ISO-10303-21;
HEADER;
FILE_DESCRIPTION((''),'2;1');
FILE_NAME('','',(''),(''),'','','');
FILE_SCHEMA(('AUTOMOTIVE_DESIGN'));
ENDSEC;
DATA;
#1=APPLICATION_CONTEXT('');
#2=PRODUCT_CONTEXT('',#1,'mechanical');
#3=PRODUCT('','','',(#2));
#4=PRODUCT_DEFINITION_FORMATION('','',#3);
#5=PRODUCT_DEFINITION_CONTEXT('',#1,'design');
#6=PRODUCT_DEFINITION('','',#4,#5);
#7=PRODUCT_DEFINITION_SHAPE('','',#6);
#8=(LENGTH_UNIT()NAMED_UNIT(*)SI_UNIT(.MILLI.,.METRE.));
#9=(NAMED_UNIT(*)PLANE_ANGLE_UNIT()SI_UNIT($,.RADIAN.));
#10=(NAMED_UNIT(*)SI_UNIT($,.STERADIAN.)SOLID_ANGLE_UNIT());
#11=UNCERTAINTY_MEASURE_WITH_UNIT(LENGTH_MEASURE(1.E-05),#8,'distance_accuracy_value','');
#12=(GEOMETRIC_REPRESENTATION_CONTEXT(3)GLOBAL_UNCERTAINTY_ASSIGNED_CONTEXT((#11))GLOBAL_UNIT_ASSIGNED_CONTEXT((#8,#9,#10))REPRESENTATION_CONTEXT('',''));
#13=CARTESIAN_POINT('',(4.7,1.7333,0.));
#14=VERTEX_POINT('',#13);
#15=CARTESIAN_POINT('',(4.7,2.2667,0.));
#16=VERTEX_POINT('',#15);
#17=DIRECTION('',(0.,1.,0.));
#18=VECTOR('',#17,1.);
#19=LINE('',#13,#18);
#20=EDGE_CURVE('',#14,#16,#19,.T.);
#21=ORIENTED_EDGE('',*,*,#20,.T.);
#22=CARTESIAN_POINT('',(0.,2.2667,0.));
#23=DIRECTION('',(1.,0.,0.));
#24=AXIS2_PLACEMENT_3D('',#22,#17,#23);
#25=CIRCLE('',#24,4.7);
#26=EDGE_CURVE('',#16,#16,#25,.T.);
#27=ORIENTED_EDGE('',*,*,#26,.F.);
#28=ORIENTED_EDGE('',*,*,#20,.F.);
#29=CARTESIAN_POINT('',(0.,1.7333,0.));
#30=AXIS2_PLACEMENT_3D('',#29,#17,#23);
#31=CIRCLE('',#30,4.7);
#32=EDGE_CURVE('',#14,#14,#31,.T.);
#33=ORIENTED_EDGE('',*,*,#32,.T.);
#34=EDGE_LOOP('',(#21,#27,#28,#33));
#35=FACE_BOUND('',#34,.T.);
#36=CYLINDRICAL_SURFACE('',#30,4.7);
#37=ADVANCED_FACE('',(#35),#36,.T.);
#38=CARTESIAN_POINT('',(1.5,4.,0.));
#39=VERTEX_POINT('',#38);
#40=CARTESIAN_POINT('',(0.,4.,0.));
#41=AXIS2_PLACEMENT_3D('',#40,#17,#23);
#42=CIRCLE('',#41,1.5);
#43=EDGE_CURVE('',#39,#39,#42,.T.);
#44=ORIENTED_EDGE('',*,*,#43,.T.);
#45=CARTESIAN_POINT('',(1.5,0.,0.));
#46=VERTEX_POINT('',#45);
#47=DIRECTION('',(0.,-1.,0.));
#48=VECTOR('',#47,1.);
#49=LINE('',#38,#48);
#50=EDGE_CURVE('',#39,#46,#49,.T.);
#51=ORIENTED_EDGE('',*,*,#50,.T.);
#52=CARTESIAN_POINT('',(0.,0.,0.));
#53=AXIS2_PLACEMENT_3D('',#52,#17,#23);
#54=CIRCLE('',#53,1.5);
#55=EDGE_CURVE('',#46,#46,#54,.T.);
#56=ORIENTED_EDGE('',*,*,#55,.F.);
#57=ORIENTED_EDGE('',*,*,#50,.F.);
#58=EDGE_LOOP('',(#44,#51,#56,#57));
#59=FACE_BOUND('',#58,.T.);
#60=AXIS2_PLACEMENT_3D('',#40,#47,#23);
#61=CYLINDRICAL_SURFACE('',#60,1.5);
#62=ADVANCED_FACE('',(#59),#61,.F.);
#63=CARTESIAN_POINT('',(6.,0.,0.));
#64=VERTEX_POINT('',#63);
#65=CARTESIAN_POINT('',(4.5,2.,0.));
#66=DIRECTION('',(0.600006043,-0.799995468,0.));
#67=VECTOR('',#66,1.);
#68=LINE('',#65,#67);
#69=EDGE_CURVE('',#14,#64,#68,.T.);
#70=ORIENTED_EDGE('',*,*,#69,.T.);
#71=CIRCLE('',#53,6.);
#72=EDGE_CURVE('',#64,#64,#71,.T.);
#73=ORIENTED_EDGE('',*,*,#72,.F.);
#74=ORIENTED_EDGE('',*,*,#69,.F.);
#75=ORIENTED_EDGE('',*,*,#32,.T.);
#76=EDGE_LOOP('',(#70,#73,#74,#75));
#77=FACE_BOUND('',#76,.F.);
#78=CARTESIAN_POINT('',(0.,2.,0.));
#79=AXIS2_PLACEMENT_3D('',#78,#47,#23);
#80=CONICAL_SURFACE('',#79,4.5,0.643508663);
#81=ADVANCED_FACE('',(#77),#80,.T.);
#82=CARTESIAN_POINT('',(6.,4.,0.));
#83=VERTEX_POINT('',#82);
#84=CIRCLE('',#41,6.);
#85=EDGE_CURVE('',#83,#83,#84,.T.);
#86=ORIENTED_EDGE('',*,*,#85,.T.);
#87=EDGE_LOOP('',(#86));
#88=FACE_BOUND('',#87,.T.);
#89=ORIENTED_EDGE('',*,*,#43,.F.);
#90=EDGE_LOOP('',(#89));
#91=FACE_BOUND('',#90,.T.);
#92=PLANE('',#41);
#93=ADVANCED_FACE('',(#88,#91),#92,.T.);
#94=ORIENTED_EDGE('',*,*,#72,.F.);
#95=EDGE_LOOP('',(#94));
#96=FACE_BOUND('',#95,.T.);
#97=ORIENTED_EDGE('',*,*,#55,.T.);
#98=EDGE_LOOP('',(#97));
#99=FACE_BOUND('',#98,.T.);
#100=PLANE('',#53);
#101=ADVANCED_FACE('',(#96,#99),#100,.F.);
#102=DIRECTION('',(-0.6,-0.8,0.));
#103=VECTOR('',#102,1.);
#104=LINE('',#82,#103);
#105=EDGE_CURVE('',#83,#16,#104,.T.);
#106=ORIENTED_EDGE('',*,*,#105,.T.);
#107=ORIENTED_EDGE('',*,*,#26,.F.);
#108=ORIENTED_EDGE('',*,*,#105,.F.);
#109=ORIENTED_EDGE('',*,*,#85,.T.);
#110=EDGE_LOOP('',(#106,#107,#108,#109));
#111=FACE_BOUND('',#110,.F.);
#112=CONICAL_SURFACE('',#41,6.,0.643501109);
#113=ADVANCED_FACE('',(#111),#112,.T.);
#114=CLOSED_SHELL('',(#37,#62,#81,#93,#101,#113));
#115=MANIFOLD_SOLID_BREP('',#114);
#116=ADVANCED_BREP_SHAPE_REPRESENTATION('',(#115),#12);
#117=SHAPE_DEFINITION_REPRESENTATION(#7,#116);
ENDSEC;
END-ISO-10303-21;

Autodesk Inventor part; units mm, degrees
ref_plane "YZ Plane" through (0, 0, 0) normal (1, 0, 0) x (0, 1, 0)
ref_plane "XZ Plane" through (0, 0, 0) normal (0, 1, 0) x (-1, 0, 0)
ref_plane "XY Plane" through (0, 0, 0) normal (0, 0, 1) x (1, 0, 0)
sketch "Sketch1" plane through (0, 0, 0) normal (0, 0, 1) x (1, 0, 0)
  line L0 (1.5, 0) -> (6, 0)
  line L1 (6, 0) -> (6, 4) construction
  line L2 (6, 4) -> (1.5, 4)
  line L3 (1.5, 4) -> (1.5, 0)
  line L4 (6, 4) -> (4.5, 2)
  line L5 (4.5, 2) -> (6.0886, -0.1181)
  line L6 (0, 0) -> (0, 6.0254) construction
  line L7 (4.7, 2.2667) -> (3.3665, 2.2667)
  line L8 (3.3665, 2.2667) -> (3.3665, 1.7333)
  line L9 (3.3665, 1.7333) -> (4.7, 1.7333)
  line L10 (4.7, 1.7333) -> (4.7, 2.2667)
  point P0 (6, 2)
  point P1 (4.7, 2)
  dimension "d0" = 1.5
  dimension "d1" = 4
  dimension "d2" = 6
  dimension "d3" = 1.5
  dimension "d5" = 0.2
revolve "Revolution1" add sketch "Sketch1" angle 360 about axis through (0, 0, 0) along (0, 1, 0)
properties part number "bearing V groove 12mm"
